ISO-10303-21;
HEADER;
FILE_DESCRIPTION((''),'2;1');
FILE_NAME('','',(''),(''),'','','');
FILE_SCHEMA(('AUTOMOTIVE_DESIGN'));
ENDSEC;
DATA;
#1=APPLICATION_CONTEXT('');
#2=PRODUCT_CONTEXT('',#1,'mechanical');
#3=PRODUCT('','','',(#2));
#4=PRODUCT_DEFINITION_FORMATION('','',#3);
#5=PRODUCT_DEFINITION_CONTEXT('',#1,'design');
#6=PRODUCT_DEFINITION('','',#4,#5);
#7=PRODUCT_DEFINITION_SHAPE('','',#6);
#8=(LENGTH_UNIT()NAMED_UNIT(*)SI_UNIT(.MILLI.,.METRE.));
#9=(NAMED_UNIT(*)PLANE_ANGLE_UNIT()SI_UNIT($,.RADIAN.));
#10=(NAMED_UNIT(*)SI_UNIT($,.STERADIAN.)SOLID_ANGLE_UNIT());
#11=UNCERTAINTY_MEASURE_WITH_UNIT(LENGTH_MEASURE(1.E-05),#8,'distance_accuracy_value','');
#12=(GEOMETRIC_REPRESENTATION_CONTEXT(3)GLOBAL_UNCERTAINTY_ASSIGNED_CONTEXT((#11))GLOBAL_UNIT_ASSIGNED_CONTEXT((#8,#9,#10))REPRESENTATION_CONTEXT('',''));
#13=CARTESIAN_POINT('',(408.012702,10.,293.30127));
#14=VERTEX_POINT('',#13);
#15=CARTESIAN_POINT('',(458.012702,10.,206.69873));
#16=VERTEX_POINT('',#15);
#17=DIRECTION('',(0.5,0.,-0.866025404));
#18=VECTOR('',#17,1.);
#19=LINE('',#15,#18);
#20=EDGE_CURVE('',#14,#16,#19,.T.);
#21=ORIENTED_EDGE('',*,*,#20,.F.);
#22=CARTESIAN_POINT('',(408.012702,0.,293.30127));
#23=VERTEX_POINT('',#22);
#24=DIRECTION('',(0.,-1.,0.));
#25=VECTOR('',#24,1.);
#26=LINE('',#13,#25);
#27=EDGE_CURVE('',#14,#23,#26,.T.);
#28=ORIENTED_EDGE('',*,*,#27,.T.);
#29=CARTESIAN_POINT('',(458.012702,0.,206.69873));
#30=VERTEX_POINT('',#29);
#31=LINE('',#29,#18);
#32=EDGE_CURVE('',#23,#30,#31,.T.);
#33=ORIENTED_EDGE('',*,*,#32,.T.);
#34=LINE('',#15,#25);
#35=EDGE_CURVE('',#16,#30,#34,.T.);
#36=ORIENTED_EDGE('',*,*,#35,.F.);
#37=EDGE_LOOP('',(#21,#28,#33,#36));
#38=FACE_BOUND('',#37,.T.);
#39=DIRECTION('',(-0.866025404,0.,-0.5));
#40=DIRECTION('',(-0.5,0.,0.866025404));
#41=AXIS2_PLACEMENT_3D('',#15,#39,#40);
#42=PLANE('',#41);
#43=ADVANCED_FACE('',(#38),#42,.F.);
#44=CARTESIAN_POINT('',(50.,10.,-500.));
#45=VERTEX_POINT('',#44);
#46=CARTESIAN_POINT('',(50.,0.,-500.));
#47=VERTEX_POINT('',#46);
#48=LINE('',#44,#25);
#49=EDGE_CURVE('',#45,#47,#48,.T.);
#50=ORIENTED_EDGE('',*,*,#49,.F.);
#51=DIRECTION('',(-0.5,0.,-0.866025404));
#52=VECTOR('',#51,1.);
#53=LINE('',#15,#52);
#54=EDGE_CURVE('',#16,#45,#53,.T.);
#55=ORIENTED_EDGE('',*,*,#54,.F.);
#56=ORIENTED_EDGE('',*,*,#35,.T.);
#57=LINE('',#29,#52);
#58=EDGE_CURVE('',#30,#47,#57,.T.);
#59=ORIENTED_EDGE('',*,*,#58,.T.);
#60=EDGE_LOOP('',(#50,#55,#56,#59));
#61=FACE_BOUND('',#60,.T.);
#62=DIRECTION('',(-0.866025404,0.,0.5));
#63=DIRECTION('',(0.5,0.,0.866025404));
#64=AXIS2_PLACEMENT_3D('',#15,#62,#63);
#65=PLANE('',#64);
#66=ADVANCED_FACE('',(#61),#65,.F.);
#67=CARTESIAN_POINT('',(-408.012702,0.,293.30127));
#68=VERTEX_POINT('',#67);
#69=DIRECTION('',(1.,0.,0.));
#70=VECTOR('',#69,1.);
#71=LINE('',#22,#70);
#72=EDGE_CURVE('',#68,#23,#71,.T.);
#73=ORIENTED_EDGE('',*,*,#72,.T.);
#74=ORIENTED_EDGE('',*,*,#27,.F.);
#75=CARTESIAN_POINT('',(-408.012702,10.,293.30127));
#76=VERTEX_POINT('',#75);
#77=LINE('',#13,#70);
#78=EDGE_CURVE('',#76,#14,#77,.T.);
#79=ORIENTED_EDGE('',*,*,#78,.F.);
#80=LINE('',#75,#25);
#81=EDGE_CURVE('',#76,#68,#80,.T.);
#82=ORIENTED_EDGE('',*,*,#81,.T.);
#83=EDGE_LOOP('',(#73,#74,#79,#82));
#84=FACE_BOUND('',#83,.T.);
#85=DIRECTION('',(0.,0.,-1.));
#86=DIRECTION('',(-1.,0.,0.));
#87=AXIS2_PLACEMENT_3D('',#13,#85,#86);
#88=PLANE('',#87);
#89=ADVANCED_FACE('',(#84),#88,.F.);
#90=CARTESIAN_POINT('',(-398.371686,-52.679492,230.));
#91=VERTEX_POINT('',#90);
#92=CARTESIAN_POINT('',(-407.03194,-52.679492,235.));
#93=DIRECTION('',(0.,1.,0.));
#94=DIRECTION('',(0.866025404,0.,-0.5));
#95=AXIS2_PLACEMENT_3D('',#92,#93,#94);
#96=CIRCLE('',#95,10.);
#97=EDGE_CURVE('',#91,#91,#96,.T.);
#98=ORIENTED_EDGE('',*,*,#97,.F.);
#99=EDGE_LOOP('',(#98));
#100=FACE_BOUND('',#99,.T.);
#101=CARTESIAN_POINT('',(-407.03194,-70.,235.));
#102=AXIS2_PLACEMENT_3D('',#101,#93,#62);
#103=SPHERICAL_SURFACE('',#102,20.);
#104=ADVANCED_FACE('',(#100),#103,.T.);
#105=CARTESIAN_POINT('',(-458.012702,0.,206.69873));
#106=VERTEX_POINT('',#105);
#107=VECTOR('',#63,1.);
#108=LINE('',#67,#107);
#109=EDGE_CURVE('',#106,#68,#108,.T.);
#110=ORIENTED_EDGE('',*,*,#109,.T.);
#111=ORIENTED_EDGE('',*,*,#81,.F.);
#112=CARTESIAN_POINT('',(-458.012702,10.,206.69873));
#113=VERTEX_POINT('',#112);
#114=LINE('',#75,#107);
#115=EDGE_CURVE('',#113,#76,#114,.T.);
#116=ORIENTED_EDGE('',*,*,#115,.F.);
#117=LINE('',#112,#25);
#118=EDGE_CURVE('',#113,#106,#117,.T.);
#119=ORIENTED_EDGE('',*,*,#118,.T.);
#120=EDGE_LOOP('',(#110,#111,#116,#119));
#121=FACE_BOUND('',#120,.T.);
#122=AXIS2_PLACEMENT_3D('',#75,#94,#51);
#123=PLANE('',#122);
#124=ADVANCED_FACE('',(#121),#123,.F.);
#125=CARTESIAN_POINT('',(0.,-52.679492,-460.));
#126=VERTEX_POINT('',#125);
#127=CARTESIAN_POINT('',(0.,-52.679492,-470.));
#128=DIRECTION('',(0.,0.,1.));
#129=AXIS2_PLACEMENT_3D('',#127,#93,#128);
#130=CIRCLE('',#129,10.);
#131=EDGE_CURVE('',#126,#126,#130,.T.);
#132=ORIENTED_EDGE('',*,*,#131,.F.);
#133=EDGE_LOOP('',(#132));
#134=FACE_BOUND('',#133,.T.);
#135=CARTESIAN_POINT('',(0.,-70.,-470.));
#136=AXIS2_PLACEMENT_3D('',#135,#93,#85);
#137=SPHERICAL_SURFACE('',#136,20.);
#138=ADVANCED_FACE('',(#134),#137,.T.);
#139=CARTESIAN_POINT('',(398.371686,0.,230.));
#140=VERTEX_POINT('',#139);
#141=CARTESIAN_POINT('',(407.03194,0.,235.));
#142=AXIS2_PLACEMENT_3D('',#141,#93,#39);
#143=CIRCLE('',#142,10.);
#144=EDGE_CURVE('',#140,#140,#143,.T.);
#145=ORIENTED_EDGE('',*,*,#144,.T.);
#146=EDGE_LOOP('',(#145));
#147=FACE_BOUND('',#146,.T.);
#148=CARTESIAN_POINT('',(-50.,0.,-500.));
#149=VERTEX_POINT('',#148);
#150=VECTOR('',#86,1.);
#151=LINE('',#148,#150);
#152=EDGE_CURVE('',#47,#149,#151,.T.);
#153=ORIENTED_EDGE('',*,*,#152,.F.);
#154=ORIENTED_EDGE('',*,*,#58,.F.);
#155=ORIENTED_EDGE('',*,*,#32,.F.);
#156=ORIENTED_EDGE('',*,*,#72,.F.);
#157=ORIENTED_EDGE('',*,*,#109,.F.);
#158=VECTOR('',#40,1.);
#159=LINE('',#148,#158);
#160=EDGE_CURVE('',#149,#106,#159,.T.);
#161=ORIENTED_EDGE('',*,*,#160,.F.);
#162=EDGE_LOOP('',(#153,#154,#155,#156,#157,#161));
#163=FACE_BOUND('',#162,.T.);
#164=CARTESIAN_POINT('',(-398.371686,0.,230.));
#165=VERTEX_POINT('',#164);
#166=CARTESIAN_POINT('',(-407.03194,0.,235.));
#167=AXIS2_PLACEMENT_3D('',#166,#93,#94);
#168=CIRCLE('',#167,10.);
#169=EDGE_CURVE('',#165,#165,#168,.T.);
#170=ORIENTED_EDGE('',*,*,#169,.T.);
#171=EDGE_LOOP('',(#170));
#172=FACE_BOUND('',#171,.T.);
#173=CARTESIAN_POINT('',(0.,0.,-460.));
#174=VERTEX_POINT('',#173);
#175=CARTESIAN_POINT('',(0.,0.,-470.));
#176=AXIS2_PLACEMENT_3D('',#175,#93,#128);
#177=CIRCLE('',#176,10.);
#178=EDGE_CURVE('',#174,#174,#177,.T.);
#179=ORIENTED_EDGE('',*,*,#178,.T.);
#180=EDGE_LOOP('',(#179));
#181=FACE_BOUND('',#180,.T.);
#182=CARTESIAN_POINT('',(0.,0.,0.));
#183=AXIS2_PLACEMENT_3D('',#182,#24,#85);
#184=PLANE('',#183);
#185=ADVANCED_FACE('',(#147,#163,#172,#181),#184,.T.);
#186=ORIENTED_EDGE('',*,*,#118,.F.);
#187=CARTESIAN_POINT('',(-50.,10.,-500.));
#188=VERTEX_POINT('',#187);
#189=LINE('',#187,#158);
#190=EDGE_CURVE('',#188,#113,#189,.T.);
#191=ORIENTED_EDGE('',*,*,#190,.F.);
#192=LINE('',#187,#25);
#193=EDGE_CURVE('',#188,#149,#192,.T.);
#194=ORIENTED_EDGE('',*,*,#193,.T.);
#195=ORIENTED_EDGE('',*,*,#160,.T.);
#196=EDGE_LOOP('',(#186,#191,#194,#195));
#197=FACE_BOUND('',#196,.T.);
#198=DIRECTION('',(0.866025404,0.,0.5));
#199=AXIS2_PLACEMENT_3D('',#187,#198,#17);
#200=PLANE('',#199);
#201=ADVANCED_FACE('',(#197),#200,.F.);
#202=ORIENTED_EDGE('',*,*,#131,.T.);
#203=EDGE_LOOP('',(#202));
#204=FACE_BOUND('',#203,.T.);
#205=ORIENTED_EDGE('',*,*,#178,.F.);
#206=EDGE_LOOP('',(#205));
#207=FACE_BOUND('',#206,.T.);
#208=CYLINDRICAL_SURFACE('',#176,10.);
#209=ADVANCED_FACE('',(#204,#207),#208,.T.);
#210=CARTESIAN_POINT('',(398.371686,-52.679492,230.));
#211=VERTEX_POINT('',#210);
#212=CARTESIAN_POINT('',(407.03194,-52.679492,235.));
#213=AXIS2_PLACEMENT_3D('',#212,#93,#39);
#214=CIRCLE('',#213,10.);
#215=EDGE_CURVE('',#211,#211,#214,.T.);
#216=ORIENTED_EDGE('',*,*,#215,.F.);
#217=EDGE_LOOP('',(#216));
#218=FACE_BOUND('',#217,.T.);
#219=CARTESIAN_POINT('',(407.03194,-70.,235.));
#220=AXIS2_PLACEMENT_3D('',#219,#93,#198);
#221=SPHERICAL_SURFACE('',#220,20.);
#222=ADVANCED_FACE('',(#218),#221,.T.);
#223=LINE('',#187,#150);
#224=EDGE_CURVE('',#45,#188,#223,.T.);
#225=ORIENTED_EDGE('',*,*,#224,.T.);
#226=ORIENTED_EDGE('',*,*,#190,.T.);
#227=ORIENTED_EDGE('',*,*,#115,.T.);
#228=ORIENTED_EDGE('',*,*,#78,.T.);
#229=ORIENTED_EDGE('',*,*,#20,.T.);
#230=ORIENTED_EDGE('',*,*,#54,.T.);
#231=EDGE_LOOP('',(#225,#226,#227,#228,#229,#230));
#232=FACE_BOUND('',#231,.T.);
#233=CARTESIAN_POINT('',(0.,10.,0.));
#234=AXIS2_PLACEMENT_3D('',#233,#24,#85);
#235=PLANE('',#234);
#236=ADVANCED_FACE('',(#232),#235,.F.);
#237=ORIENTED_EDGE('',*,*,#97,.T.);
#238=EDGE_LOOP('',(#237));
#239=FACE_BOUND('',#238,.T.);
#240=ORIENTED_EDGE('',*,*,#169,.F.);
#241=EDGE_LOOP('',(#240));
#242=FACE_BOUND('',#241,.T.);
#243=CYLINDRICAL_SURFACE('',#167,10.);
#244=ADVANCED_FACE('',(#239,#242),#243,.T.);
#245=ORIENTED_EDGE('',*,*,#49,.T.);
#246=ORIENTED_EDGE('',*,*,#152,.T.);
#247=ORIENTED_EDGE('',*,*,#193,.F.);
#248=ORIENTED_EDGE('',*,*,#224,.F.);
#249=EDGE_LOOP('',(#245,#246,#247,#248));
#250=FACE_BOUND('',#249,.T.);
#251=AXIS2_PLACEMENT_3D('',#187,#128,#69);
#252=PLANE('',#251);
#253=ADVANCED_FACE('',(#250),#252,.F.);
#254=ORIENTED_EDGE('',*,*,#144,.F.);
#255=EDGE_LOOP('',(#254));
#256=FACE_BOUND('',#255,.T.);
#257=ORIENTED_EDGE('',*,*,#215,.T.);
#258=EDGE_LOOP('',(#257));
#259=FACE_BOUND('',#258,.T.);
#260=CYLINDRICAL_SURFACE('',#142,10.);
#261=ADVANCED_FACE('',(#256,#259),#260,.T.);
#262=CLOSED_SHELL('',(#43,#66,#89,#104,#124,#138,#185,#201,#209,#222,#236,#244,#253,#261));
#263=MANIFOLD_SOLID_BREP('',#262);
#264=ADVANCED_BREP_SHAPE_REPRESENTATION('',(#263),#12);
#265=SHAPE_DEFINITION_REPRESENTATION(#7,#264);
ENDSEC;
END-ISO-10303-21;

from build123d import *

# Parameters (mm, degrees)
SALIENTE_EXTRUIR1_DEPTH = 10
MATRIZC1_COUNT          = 3


with BuildPart() as part:
    # Croquis1 → Saliente-Extruir1 (new body)
    with BuildSketch(Plane(origin=(0, 0, 0), x_dir=(1, 0, 0), z_dir=(0, 1, 0))):
        Polygon((-50, 500), (50, 500), (458.012701892, -206.698729811), (408.012701892, -293.301270189), (-408.012701892, -293.301270189), (-458.012701892, -206.698729811), align=None)
    extrude(amount=SALIENTE_EXTRUIR1_DEPTH)

    # Croquis2 → Revolución1 (revolve)
    with BuildSketch(Plane(origin=(0, 0, 0), x_dir=(0, 0, -1), z_dir=(1, 0, 0))):
        with BuildLine():
            Line((470, 0), (470, -70))
            Line((470, -70), (470, -90))
            ThreePointArc((470, -90), (489.318516526, -75.176380902), (480, -52.679491924))
            Line((480, -52.679491924), (480, 0))
            Line((480, 0), (470, 0))
        make_face()
    revoluci_n1 = revolve(axis=Axis((0, 0, -470), (0, -1, 0)))

    # MatrizC1: Revolución1 ×3 about axis
    matrizc1_axis = Axis((0, 0, 0), (0, 1, 0))
    for i in range(1, MATRIZC1_COUNT):
        add(revoluci_n1.rotate(matrizc1_axis, i * 360 / MATRIZC1_COUNT))


solid = part.part
